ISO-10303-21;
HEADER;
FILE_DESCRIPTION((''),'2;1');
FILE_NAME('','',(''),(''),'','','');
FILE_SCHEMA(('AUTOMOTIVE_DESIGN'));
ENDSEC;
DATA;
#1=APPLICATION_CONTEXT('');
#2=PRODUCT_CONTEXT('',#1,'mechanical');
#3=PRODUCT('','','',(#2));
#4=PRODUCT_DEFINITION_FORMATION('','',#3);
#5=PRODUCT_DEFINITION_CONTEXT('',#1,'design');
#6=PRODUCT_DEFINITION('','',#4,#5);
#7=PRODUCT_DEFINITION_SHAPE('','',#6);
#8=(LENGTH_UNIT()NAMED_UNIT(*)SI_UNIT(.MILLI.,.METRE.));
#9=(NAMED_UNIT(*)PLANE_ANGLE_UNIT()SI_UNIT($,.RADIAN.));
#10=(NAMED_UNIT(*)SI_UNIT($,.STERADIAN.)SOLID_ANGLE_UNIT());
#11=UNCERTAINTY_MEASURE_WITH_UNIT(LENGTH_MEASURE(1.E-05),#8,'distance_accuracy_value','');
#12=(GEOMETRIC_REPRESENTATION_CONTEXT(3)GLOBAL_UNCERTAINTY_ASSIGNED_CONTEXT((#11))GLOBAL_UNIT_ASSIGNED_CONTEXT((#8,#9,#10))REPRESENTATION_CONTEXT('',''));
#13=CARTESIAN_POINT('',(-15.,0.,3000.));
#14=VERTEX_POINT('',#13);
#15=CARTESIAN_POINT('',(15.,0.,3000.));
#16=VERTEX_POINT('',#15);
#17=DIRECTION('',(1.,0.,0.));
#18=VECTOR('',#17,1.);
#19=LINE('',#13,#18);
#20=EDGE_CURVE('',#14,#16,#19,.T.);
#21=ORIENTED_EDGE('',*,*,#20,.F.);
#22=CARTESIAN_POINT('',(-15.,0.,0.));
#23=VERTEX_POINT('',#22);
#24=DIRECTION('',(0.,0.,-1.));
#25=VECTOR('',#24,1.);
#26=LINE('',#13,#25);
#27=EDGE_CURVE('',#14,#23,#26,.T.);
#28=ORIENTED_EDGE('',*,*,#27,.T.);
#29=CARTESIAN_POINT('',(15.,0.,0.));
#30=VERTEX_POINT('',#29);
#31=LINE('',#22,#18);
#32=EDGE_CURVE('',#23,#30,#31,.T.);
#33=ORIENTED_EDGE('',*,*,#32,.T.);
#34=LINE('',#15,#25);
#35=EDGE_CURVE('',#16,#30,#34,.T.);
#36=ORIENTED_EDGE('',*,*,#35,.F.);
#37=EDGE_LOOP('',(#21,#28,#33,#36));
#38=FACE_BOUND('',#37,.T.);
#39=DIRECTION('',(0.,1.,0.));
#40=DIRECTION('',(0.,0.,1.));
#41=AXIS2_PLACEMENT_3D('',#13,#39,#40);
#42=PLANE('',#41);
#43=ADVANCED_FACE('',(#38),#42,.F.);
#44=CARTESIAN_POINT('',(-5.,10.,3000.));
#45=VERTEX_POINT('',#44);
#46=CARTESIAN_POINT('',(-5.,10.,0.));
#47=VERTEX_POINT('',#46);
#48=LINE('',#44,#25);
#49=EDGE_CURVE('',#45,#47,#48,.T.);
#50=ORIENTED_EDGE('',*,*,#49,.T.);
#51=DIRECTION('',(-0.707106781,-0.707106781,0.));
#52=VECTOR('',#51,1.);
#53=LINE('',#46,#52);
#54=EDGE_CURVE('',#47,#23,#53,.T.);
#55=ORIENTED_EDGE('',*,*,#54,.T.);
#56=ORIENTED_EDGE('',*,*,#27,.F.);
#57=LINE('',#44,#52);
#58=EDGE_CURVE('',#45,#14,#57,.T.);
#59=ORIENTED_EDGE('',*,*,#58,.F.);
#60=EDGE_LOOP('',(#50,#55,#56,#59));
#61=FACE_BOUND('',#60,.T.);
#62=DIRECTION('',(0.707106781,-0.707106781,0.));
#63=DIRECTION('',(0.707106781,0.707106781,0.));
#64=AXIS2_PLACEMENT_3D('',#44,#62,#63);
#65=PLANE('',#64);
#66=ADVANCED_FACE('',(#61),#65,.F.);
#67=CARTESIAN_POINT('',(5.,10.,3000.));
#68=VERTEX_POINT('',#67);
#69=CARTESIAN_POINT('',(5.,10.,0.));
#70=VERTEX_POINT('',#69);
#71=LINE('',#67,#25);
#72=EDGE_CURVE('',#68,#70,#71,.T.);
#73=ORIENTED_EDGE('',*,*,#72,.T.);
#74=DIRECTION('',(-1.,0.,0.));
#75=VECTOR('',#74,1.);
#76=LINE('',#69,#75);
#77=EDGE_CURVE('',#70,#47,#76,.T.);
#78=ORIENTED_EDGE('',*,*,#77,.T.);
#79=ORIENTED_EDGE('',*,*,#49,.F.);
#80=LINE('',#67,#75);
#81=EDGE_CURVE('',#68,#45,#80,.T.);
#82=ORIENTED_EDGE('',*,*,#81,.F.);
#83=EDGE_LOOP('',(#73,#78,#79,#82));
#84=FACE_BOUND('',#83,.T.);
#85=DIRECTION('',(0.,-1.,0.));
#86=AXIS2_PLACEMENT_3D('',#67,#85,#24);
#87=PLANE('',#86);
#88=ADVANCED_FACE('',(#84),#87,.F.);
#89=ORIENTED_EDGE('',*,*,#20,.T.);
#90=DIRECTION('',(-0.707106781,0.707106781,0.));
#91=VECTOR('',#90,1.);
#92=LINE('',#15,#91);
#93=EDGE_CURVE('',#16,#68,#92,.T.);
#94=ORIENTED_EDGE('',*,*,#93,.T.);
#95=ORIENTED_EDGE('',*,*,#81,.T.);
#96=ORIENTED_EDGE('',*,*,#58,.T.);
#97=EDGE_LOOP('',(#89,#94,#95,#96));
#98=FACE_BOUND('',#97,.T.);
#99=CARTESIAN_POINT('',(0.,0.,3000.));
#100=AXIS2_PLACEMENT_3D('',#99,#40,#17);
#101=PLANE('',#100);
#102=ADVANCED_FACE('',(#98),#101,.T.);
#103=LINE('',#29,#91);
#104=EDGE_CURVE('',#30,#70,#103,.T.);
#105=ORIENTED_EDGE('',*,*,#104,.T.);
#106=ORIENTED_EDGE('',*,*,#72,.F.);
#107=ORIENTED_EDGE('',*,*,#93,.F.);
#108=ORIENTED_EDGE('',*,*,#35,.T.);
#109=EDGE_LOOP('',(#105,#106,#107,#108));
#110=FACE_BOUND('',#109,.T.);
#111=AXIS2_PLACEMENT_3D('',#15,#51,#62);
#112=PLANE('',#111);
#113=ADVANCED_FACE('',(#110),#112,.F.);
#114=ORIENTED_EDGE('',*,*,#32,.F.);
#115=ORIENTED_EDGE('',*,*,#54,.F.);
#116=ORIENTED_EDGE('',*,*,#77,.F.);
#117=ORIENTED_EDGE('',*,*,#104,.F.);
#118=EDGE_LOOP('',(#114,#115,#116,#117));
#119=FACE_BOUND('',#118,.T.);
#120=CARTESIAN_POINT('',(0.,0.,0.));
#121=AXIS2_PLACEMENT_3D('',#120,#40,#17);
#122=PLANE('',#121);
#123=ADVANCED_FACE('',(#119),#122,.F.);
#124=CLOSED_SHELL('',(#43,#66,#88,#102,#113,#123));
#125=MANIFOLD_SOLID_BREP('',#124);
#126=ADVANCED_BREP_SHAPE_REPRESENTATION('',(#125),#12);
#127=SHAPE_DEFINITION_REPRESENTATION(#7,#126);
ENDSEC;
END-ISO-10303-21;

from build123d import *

# Parameters (mm, degrees)
BOSS_EXTRUDE1_DEPTH = 3000


with BuildPart() as part:
    # Sketch1 → Boss-Extrude1 (new body)
    with BuildSketch(Plane.XY):
        Polygon((-15, 0), (15, 0), (5, 10), (-5, 10), align=None)
    extrude(amount=BOSS_EXTRUDE1_DEPTH)


solid = part.part
